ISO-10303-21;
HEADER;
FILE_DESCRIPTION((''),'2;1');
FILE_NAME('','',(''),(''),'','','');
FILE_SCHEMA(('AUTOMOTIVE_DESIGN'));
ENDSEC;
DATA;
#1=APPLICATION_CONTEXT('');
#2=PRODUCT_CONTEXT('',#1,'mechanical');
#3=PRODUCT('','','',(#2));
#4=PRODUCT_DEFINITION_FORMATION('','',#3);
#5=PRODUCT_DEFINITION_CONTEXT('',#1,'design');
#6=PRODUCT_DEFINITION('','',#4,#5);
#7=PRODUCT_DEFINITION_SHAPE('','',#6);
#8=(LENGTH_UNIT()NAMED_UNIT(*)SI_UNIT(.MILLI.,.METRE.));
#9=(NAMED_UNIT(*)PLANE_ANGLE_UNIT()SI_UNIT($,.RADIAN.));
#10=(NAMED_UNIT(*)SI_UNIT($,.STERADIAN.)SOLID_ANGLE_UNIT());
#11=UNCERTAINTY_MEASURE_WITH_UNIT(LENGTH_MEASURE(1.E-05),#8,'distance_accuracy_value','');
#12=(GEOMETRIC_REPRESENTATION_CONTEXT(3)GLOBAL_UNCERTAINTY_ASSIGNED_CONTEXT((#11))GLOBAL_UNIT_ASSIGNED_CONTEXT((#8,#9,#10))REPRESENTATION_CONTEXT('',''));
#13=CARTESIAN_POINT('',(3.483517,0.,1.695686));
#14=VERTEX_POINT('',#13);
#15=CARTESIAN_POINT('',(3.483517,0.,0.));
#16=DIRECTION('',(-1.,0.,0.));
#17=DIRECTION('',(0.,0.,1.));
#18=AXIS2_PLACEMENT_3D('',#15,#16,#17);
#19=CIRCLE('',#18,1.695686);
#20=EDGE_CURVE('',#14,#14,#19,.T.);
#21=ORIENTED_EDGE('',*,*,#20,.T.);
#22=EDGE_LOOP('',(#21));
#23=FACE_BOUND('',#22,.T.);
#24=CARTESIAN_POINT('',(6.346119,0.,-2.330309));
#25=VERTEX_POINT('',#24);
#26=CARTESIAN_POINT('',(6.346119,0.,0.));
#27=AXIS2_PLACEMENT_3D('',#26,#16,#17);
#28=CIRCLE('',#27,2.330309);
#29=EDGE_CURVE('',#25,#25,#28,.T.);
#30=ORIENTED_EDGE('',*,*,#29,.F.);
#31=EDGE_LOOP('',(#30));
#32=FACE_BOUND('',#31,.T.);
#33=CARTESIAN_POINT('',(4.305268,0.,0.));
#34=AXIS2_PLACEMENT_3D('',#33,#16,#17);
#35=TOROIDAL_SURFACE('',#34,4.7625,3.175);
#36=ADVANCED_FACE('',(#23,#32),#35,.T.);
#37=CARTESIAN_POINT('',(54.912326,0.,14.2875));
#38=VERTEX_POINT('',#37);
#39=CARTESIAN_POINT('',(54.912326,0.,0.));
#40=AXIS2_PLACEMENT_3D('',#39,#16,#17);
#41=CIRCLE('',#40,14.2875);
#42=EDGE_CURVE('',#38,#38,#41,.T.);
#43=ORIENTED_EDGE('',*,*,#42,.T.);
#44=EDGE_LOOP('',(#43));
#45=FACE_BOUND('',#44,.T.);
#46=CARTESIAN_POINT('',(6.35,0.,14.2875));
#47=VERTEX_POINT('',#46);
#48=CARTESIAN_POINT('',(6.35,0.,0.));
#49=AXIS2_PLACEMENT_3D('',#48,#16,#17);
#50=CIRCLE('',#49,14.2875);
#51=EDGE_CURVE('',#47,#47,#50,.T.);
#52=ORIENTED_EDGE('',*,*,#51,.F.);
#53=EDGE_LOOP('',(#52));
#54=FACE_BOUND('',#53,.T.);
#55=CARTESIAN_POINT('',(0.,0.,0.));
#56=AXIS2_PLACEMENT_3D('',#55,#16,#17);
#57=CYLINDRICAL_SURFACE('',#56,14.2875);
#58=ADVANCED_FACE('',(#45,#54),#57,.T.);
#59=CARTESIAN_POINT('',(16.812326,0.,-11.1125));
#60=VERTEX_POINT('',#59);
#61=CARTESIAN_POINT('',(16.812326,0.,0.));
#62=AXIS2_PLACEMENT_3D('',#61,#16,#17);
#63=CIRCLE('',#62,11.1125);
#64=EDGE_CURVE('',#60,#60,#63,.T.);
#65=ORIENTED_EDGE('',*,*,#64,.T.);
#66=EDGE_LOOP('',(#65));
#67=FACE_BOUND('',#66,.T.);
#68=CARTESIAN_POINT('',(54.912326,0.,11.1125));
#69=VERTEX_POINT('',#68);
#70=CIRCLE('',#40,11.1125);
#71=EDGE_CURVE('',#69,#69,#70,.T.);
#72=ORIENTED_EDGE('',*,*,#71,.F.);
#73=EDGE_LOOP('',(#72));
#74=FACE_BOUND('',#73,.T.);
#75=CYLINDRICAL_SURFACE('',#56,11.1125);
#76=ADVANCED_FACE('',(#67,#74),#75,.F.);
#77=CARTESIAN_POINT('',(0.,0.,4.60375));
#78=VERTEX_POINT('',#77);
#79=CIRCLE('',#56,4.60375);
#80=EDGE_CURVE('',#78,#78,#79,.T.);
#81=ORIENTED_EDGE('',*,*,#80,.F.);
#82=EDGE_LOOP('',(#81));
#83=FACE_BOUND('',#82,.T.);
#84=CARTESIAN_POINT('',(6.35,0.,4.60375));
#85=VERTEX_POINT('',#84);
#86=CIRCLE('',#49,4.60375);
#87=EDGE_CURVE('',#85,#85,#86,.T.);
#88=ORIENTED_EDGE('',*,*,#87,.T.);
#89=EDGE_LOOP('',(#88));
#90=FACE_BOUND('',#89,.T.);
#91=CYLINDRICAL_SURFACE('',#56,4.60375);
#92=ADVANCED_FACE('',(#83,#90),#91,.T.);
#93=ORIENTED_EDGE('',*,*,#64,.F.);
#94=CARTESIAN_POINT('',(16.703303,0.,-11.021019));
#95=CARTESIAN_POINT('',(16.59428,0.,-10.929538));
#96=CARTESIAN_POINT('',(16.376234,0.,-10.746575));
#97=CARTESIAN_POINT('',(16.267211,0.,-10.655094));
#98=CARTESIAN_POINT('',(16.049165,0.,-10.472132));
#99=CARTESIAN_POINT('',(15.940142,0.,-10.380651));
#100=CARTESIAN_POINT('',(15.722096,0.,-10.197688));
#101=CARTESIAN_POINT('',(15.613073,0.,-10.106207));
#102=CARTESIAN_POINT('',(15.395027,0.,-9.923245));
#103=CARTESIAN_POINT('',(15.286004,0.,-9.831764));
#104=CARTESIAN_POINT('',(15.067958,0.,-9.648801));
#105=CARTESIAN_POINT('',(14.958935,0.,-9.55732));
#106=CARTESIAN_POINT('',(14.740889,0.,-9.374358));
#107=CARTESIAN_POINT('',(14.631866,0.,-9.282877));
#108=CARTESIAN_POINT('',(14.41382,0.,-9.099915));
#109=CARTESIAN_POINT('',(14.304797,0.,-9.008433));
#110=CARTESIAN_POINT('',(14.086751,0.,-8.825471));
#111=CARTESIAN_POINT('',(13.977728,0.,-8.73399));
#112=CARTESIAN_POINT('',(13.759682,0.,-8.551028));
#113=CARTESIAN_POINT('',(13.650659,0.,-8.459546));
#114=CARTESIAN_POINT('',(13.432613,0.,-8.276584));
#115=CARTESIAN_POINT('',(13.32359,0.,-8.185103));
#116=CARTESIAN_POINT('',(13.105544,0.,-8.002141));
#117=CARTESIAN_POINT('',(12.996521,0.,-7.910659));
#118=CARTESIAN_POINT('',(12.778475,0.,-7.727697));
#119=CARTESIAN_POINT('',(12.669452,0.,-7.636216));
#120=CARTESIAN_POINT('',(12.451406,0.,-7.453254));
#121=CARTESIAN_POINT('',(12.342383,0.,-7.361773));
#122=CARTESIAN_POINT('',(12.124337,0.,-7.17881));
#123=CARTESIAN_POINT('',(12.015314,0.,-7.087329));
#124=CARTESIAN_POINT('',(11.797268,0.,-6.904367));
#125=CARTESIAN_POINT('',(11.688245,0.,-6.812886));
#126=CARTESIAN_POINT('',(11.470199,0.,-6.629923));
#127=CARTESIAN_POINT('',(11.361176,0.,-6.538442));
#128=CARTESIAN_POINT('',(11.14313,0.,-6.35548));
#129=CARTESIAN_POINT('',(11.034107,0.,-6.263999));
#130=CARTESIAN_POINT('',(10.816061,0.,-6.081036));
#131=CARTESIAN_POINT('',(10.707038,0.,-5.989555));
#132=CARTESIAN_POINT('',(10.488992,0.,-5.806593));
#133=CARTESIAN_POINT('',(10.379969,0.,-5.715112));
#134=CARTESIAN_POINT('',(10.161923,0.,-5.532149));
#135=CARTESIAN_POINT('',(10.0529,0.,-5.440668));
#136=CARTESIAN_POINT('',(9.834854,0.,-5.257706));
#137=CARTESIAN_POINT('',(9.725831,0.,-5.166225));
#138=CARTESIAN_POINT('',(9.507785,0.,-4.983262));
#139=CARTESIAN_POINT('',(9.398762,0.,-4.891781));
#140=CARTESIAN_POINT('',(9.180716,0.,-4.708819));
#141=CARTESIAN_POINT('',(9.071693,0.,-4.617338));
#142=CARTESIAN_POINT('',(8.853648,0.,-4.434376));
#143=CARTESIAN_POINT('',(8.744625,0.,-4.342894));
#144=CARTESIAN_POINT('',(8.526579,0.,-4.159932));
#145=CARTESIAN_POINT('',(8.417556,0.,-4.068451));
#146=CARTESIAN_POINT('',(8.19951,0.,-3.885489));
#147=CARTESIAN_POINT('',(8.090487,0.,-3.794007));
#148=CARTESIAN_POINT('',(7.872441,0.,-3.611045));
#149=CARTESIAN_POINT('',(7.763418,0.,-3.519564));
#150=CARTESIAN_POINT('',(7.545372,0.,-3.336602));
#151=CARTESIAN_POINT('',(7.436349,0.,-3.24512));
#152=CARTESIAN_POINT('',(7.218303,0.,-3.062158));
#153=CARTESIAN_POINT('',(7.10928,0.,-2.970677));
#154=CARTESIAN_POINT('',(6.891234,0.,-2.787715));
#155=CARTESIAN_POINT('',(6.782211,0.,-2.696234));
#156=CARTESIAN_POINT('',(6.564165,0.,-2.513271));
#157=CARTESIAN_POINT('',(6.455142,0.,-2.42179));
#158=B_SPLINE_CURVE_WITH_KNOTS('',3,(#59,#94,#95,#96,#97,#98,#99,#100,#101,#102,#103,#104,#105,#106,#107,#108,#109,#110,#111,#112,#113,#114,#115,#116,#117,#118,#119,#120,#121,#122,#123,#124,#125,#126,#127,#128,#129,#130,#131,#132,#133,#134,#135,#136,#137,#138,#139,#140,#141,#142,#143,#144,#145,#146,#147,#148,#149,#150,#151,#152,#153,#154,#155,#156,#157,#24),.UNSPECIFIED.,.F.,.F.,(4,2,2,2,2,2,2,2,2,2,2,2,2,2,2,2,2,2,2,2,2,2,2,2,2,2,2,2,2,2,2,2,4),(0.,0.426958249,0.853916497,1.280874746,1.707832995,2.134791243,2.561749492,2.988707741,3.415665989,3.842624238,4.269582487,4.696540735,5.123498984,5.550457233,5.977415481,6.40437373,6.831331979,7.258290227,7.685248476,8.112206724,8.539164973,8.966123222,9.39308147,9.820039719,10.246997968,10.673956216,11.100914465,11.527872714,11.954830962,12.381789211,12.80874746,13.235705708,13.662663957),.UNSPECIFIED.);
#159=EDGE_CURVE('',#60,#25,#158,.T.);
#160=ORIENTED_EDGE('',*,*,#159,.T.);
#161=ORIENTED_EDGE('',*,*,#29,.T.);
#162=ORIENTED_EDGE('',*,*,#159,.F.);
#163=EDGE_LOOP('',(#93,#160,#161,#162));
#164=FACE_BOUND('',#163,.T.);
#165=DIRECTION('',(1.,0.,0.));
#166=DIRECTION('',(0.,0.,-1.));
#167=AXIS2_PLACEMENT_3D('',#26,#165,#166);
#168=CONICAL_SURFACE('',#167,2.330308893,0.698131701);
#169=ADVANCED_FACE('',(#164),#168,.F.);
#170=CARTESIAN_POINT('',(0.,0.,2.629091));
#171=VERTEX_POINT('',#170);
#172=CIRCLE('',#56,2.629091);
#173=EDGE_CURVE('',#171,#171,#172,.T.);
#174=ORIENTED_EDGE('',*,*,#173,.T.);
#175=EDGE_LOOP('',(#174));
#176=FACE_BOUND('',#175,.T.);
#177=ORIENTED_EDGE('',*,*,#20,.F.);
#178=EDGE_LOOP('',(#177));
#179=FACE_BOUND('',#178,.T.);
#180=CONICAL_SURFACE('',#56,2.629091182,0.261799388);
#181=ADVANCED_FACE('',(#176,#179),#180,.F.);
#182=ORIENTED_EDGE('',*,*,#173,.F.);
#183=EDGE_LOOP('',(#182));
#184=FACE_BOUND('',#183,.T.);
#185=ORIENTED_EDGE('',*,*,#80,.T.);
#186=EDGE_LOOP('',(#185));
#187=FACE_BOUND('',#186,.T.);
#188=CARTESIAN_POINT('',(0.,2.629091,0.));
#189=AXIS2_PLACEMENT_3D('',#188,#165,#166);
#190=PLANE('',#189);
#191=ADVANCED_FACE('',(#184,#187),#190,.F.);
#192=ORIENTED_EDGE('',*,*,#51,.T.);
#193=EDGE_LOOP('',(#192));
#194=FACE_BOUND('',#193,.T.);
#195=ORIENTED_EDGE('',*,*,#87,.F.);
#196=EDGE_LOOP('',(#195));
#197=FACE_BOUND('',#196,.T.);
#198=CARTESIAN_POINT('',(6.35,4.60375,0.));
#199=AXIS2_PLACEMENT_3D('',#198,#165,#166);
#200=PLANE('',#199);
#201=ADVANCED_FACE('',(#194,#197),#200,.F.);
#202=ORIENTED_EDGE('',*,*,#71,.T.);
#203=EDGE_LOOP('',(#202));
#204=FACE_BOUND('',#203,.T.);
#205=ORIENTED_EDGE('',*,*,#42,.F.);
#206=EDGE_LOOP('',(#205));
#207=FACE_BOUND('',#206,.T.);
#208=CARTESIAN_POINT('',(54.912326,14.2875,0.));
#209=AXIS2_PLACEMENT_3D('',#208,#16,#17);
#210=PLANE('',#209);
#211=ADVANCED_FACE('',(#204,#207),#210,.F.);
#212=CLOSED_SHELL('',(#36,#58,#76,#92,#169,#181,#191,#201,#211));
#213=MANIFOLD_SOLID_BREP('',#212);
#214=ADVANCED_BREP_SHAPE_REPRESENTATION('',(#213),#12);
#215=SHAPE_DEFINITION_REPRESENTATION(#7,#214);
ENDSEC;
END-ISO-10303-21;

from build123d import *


with BuildPart() as part:
    # Sketch1 → Revolve1 (revolve)
    with BuildSketch(Plane.XY, mode=Mode.PRIVATE) as revolve1_sk:
        with BuildLine():
            Line((6.35, 14.2875), (54.912326353, 14.2875))
            Line((54.912326353, 14.2875), (54.912326353, 11.1125))
            Line((54.912326353, 11.1125), (16.812326353, 11.1125))
            Line((16.812326353, 11.1125), (6.346118551, 2.330308893))
            ThreePointArc((6.346118551, 2.330308893), (4.992463664, 1.662760177), (3.483517422, 1.695685502))
            Line((3.483517422, 1.695685502), (0, 2.629091182))
            Line((0, 2.629091182), (0, 4.60375))
            Line((0, 4.60375), (6.35, 4.60375))
            Line((6.35, 4.60375), (6.35, 14.2875))
        make_face()
    revolve(revolve1_sk.sketch.rotate(Axis((0, 0, 0), (1, 0, 0)), 90), axis=Axis((0, 0, 0), (1, 0, 0)))


solid = part.part
